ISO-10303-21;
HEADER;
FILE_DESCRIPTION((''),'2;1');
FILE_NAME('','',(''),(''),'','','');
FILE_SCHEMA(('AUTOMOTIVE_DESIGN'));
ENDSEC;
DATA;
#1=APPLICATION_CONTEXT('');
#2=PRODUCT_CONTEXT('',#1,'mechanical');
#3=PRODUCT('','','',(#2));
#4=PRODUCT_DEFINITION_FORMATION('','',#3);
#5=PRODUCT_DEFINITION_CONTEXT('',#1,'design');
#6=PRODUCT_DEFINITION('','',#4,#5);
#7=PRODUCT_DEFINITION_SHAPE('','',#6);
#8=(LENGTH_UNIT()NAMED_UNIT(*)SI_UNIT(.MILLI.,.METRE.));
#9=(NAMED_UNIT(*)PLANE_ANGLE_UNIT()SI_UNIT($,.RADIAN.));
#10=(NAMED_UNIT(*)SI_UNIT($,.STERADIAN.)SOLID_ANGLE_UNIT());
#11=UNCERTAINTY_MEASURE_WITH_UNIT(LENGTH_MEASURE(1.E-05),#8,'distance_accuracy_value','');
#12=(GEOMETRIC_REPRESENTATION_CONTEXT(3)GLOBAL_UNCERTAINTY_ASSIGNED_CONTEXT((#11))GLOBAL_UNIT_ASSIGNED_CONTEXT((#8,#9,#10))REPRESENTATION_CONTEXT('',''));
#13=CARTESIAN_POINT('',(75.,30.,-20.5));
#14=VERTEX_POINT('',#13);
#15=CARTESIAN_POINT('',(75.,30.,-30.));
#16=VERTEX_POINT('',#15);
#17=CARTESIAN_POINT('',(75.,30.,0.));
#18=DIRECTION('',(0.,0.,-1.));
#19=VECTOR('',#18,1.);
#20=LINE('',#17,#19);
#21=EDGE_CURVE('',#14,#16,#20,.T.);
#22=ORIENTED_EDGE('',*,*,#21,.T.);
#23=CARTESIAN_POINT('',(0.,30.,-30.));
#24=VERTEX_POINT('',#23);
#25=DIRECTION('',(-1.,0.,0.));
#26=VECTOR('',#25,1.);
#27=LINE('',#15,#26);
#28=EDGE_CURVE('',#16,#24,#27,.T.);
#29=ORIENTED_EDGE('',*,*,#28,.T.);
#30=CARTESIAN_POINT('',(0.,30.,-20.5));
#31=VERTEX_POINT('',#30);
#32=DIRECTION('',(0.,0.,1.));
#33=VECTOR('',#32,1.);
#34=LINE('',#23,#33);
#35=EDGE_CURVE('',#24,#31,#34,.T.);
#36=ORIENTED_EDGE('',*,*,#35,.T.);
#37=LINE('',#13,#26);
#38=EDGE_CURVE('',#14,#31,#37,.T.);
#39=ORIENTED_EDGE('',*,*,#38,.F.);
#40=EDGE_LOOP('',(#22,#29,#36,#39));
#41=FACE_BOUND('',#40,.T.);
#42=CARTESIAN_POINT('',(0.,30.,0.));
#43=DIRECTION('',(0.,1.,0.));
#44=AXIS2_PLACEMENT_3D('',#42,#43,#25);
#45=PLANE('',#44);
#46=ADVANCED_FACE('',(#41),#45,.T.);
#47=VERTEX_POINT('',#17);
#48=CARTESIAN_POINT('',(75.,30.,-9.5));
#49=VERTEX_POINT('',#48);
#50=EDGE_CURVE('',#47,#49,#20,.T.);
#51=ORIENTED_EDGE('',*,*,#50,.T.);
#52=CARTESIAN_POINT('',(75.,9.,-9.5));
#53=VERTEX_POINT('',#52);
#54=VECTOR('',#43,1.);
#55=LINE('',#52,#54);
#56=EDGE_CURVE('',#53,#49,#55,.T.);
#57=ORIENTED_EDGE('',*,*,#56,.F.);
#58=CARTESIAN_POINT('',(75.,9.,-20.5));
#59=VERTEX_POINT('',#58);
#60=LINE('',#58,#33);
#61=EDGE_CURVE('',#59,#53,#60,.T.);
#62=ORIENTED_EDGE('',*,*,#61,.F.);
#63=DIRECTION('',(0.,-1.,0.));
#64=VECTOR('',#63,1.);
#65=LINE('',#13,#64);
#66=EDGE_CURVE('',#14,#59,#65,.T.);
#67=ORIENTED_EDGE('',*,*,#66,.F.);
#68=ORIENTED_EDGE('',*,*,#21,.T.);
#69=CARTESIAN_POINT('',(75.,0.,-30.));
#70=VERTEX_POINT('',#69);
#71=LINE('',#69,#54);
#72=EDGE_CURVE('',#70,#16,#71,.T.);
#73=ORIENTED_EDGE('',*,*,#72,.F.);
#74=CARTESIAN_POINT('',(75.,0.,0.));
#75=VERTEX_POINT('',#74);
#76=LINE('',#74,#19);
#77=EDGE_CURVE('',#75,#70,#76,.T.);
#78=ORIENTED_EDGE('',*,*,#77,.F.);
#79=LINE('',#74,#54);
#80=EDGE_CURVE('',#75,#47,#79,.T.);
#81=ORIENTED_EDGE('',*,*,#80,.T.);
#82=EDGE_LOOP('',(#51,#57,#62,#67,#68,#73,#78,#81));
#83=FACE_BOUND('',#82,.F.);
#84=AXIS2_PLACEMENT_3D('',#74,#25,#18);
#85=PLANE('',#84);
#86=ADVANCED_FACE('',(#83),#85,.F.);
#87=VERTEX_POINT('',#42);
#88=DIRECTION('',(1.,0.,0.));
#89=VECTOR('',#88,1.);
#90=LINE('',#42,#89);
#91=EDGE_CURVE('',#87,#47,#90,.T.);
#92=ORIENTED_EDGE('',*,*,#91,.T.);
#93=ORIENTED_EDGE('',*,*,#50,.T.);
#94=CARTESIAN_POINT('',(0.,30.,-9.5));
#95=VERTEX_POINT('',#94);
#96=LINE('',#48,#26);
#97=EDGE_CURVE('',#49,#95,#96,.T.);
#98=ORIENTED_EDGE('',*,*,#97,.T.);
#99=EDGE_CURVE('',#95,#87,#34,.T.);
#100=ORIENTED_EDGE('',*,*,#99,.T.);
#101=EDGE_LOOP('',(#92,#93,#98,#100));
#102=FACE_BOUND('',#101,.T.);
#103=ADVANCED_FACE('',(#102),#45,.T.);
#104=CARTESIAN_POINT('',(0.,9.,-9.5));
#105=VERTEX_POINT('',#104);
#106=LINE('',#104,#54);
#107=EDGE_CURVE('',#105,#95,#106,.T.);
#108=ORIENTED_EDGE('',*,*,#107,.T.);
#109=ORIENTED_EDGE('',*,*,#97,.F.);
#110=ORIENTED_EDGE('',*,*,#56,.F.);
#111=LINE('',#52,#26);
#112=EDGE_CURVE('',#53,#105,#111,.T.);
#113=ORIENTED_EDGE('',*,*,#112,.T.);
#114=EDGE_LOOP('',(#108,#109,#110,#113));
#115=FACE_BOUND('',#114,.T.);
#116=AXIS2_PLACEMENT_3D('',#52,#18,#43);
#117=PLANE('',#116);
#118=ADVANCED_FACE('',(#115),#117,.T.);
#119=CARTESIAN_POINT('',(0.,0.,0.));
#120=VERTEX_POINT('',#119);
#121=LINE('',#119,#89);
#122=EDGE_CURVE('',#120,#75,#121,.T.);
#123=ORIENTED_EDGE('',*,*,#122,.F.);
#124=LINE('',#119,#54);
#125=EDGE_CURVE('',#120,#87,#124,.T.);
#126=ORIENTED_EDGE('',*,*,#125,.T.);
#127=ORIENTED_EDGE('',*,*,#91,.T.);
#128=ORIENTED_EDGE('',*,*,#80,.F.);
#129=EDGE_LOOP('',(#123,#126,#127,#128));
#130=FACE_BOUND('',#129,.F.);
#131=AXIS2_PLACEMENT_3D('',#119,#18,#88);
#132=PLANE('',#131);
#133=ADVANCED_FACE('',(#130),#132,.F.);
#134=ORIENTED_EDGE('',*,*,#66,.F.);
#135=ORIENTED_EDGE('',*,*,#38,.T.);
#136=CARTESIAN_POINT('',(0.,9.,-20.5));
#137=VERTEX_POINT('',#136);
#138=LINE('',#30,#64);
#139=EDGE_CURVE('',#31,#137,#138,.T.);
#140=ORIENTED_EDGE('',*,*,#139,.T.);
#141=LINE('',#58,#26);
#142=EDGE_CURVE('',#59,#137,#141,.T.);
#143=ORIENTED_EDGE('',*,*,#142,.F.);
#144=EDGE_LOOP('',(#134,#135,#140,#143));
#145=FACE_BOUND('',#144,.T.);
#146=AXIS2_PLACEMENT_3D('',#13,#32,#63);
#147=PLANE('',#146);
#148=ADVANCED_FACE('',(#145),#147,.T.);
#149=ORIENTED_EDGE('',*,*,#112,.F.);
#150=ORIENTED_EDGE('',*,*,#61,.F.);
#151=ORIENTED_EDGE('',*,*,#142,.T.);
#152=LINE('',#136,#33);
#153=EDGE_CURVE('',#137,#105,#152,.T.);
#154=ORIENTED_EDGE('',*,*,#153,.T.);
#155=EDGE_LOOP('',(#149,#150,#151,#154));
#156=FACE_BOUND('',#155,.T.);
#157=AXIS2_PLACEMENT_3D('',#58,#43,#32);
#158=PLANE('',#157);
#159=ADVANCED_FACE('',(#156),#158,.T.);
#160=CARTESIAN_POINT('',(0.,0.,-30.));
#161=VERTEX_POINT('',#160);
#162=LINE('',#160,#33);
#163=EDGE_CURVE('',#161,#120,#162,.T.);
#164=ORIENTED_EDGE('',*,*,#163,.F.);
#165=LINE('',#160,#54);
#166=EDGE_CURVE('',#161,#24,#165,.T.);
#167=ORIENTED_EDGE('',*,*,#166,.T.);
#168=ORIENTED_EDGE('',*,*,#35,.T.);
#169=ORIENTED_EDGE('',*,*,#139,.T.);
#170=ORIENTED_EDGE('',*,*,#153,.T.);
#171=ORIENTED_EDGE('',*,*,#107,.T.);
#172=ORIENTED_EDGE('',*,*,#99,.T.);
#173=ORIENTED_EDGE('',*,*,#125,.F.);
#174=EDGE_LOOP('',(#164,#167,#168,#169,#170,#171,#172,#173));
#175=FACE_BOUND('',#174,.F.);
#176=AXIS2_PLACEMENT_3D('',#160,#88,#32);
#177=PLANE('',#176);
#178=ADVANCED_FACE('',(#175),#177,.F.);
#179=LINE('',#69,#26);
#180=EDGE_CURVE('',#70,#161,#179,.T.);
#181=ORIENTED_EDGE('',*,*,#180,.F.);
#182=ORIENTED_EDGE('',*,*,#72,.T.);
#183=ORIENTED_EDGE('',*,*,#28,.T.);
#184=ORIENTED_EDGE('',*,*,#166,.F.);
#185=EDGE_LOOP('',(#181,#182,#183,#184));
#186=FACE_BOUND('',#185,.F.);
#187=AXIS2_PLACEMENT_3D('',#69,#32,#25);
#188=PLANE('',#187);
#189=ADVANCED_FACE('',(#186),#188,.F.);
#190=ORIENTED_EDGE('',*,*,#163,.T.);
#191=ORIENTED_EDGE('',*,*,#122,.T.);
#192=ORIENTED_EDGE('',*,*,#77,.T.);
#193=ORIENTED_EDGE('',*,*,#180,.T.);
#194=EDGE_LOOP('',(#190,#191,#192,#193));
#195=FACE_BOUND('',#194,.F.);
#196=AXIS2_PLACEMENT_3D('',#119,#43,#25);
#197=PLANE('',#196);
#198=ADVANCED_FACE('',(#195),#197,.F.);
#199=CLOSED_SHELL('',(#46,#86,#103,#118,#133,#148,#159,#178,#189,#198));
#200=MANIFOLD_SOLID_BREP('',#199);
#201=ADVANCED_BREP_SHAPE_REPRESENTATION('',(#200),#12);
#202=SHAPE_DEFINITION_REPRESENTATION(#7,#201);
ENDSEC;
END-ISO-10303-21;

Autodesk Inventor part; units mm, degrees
ref_plane "YZ Plane" through (0, 0, 0) normal (1, 0, 0) x (0, 1, 0)
ref_plane "XZ Plane" through (0, 0, 0) normal (0, 1, 0) x (-1, 0, 0)
ref_plane "XY Plane" through (0, 0, 0) normal (0, 0, 1) x (1, 0, 0)
sketch "スケッチ1" plane through (0, 0, 0) normal (0, 1, 0) x (-1, 0, 0)
  line L0 (0, 0) -> (-75, 0)
  line L1 (-75, 0) -> (-75, -30)
  line L2 (-75, -30) -> (0, -30)
  line L3 (0, -30) -> (0, 0)
  dimension "d0" = 75
  dimension "d1" = 30
extrude "押し出し1" add sketch "スケッチ1" along normal blind 30
sketch "スケッチ2" plane through (75, 0, 0) normal (1, 0, 0) x (0, 0, -1)
  line L0 (9.5, 30) -> (20.5, 30)
  line L1 (20.5, 30) -> (20.5, 9)
  line L2 (20.5, 9) -> (9.5, 9)
  line L3 (9.5, 9) -> (9.5, 30)
  line L4 (0, 30) -> (30, 30) projected
  point P0 (0, 0)
  point P1 (15, 30)
  dimension "d4" = 11
  dimension "d5" = 21
extrude "押し出し2" cut sketch "スケッチ2" against normal blind 75
properties part number "Front"
